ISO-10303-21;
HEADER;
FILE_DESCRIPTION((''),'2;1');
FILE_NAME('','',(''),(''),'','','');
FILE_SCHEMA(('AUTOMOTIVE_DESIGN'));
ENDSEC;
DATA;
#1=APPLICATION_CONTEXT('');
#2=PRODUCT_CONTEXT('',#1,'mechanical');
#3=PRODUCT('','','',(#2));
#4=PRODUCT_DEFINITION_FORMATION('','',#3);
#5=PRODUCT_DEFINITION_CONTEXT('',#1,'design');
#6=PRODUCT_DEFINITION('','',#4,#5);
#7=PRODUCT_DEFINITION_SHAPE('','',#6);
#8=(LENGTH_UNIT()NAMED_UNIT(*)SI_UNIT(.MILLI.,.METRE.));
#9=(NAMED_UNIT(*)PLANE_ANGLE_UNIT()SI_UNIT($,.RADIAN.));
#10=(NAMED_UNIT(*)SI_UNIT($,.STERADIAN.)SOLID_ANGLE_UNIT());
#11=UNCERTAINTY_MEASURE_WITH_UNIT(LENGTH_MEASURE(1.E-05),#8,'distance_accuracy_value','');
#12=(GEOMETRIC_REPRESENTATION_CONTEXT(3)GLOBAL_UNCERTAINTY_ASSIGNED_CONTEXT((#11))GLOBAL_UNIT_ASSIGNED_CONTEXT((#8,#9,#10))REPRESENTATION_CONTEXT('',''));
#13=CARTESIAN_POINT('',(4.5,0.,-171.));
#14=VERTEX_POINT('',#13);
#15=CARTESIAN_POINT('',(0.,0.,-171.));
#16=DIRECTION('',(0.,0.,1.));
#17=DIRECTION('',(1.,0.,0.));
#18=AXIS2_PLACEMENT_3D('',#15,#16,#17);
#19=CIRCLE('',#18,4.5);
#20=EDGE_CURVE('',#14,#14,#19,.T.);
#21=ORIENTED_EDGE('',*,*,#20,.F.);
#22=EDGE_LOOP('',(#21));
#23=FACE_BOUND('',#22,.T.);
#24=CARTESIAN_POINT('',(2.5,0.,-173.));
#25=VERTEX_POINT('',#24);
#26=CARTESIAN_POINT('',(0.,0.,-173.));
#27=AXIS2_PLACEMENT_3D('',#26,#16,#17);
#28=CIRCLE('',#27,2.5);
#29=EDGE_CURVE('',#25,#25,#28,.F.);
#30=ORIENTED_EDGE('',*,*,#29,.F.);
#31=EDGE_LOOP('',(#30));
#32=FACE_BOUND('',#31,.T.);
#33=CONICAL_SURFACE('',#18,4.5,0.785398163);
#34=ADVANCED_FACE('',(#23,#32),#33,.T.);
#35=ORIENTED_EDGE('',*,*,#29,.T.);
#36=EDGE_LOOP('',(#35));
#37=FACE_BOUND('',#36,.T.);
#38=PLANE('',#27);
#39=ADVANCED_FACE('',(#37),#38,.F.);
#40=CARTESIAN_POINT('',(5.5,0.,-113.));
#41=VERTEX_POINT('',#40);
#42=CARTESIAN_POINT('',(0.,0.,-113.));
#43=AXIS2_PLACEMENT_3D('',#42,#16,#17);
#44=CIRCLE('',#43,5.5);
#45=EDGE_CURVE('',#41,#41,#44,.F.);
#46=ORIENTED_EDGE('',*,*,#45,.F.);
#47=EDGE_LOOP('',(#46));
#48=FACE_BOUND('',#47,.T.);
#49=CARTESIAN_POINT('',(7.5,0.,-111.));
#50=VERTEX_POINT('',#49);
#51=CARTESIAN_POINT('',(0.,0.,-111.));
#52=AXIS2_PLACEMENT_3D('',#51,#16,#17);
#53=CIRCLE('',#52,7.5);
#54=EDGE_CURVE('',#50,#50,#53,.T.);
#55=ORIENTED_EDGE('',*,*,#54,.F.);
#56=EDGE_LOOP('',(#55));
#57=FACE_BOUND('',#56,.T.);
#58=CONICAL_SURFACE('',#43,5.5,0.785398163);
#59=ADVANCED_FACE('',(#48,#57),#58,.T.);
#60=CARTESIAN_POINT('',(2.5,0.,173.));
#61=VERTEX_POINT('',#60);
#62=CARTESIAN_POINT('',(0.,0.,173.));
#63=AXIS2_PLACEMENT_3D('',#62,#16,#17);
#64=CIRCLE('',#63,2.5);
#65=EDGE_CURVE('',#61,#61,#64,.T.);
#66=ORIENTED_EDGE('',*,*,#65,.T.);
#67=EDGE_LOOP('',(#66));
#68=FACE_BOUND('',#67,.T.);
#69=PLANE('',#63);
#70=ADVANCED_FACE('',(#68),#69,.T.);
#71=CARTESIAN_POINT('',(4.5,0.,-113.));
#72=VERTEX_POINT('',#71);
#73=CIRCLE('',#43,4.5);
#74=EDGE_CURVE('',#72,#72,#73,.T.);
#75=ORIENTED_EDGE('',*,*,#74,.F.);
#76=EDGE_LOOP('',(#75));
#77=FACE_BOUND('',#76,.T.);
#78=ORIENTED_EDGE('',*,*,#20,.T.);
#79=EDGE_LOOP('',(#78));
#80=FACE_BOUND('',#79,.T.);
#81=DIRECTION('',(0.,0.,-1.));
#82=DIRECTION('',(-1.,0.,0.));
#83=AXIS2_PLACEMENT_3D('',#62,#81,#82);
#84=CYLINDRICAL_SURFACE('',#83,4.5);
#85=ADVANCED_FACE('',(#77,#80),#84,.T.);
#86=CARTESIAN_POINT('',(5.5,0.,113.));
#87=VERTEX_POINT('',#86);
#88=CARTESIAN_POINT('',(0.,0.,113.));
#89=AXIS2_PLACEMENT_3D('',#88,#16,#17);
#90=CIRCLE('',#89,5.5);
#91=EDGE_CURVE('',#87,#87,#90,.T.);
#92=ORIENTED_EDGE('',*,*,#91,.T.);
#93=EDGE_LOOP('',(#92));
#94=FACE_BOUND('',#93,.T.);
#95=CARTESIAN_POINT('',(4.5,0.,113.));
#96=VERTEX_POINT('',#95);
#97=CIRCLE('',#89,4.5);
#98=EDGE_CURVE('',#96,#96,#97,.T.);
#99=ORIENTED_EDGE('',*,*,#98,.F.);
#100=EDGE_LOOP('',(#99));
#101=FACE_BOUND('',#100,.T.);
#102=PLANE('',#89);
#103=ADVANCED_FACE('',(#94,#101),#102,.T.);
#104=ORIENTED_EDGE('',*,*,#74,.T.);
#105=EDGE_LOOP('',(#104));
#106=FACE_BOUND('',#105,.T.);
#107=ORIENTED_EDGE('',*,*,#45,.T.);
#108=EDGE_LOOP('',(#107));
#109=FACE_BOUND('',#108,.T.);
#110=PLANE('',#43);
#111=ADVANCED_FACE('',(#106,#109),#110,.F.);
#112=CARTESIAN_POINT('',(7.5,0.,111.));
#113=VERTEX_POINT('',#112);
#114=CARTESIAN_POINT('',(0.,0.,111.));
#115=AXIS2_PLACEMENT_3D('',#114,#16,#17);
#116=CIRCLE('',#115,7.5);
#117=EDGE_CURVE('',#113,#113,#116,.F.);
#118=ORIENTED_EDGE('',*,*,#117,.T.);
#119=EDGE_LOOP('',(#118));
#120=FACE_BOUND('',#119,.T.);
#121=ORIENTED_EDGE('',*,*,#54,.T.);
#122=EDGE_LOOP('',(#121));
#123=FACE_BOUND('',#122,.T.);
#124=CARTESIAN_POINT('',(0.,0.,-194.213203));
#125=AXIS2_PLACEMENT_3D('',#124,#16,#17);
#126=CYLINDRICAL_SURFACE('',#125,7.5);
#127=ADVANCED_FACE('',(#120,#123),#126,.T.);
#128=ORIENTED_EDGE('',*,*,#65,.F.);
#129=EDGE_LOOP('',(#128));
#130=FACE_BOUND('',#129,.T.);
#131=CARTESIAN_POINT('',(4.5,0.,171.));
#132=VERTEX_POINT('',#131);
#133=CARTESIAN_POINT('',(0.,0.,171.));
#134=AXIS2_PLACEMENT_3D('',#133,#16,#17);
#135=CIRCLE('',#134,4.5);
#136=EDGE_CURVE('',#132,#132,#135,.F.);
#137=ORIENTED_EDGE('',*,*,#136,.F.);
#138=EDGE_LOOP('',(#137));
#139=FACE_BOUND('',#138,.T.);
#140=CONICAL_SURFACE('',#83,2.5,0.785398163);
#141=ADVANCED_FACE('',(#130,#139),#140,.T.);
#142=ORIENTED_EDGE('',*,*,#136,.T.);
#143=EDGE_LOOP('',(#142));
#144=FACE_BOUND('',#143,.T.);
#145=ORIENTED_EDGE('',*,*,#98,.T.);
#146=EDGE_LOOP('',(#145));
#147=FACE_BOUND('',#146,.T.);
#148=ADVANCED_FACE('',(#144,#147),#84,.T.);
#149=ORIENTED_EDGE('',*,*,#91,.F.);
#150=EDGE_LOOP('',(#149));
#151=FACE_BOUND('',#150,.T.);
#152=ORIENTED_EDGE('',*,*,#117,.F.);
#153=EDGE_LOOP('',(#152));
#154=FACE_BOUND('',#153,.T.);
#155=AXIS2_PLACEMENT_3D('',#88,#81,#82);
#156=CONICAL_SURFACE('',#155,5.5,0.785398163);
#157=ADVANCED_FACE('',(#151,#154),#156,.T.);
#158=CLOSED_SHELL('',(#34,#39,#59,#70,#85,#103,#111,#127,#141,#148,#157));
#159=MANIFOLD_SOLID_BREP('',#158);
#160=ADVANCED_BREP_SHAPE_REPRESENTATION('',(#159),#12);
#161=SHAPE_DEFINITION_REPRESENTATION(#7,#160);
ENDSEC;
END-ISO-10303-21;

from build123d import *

# Parameters (mm, degrees)
SKETCH_1_R      = 4.5
EXTRUDE_1_DEPTH = 173
EXTRUDE_START   = -60
SKETCH_2_R      = 7.5
EXTRUDE_2_DEPTH = 226
CHAMFER_1_SIZE  = 2


with BuildPart() as part:
    # 草图1 → 凸台-拉伸1 (new, symmetric)
    with BuildSketch(Plane.XY):
        Circle(SKETCH_1_R)
    extrude(amount=EXTRUDE_1_DEPTH, both=True)

    # 草图2 → 凸台-拉伸2 (add)
    with BuildSketch(Plane.XY.offset(173).offset(EXTRUDE_START)):
        Circle(SKETCH_2_R)
    extrude(amount=-EXTRUDE_2_DEPTH)

    # 倒角1
    chamfer_1_edges = [part.edges().sort_by_distance(p)[0] for p in [
        (-4.5, 0, -173),
        (-4.5, 0, 173),
        (-7.5, 0, 113),
        (-7.5, 0, -113),
    ]]
    chamfer(chamfer_1_edges, length=CHAMFER_1_SIZE)


solid = part.part
